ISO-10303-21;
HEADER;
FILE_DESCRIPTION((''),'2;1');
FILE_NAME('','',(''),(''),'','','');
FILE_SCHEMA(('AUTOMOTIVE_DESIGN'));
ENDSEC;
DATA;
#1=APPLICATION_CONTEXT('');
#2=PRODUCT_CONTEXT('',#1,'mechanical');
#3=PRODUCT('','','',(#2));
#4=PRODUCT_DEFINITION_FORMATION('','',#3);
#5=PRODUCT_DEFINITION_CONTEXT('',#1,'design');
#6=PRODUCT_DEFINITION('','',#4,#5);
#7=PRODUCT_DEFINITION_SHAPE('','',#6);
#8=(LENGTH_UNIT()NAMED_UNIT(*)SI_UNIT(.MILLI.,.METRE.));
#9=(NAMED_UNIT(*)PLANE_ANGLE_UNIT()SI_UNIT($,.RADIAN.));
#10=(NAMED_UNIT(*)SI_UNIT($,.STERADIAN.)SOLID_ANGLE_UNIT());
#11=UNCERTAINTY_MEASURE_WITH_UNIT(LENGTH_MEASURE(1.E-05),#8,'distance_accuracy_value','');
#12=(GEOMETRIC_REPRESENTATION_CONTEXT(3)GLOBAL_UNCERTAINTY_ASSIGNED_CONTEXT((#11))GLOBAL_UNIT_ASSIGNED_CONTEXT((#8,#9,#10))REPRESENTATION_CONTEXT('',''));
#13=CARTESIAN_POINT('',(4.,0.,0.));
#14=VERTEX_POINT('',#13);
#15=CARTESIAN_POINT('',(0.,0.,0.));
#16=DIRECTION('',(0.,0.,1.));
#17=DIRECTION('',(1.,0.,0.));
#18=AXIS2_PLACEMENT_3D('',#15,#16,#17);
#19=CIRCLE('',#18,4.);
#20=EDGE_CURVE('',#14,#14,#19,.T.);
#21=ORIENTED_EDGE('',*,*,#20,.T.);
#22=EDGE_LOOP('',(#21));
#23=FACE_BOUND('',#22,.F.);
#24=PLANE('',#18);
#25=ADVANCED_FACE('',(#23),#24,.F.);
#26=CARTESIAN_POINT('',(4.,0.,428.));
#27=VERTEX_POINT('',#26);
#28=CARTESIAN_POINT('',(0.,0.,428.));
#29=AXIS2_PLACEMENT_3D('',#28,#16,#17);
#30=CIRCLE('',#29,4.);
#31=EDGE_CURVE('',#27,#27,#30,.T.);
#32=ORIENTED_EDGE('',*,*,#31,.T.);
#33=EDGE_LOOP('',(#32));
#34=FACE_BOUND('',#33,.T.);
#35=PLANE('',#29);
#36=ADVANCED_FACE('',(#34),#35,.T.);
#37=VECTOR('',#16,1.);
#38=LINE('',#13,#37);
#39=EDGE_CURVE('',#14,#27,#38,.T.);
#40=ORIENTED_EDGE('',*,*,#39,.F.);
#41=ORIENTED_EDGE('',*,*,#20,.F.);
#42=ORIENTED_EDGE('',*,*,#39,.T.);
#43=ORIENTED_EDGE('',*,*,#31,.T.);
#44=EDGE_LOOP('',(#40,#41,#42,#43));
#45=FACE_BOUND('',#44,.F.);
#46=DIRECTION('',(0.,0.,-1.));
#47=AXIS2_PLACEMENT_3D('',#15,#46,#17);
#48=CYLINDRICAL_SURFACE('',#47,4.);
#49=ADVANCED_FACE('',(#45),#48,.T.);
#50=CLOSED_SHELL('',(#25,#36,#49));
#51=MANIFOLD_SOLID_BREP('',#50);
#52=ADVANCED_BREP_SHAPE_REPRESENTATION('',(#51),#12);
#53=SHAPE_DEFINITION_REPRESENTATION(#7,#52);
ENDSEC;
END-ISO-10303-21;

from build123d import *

# Parameters (mm, degrees)
SKETCH1_R           = 4
BOSS_EXTRUDE1_DEPTH = 428


with BuildPart() as part:
    # Sketch1 → Boss-Extrude1 (new body)
    with BuildSketch(Plane.XY):
        Circle(SKETCH1_R)
    extrude(amount=BOSS_EXTRUDE1_DEPTH)


solid = part.part
